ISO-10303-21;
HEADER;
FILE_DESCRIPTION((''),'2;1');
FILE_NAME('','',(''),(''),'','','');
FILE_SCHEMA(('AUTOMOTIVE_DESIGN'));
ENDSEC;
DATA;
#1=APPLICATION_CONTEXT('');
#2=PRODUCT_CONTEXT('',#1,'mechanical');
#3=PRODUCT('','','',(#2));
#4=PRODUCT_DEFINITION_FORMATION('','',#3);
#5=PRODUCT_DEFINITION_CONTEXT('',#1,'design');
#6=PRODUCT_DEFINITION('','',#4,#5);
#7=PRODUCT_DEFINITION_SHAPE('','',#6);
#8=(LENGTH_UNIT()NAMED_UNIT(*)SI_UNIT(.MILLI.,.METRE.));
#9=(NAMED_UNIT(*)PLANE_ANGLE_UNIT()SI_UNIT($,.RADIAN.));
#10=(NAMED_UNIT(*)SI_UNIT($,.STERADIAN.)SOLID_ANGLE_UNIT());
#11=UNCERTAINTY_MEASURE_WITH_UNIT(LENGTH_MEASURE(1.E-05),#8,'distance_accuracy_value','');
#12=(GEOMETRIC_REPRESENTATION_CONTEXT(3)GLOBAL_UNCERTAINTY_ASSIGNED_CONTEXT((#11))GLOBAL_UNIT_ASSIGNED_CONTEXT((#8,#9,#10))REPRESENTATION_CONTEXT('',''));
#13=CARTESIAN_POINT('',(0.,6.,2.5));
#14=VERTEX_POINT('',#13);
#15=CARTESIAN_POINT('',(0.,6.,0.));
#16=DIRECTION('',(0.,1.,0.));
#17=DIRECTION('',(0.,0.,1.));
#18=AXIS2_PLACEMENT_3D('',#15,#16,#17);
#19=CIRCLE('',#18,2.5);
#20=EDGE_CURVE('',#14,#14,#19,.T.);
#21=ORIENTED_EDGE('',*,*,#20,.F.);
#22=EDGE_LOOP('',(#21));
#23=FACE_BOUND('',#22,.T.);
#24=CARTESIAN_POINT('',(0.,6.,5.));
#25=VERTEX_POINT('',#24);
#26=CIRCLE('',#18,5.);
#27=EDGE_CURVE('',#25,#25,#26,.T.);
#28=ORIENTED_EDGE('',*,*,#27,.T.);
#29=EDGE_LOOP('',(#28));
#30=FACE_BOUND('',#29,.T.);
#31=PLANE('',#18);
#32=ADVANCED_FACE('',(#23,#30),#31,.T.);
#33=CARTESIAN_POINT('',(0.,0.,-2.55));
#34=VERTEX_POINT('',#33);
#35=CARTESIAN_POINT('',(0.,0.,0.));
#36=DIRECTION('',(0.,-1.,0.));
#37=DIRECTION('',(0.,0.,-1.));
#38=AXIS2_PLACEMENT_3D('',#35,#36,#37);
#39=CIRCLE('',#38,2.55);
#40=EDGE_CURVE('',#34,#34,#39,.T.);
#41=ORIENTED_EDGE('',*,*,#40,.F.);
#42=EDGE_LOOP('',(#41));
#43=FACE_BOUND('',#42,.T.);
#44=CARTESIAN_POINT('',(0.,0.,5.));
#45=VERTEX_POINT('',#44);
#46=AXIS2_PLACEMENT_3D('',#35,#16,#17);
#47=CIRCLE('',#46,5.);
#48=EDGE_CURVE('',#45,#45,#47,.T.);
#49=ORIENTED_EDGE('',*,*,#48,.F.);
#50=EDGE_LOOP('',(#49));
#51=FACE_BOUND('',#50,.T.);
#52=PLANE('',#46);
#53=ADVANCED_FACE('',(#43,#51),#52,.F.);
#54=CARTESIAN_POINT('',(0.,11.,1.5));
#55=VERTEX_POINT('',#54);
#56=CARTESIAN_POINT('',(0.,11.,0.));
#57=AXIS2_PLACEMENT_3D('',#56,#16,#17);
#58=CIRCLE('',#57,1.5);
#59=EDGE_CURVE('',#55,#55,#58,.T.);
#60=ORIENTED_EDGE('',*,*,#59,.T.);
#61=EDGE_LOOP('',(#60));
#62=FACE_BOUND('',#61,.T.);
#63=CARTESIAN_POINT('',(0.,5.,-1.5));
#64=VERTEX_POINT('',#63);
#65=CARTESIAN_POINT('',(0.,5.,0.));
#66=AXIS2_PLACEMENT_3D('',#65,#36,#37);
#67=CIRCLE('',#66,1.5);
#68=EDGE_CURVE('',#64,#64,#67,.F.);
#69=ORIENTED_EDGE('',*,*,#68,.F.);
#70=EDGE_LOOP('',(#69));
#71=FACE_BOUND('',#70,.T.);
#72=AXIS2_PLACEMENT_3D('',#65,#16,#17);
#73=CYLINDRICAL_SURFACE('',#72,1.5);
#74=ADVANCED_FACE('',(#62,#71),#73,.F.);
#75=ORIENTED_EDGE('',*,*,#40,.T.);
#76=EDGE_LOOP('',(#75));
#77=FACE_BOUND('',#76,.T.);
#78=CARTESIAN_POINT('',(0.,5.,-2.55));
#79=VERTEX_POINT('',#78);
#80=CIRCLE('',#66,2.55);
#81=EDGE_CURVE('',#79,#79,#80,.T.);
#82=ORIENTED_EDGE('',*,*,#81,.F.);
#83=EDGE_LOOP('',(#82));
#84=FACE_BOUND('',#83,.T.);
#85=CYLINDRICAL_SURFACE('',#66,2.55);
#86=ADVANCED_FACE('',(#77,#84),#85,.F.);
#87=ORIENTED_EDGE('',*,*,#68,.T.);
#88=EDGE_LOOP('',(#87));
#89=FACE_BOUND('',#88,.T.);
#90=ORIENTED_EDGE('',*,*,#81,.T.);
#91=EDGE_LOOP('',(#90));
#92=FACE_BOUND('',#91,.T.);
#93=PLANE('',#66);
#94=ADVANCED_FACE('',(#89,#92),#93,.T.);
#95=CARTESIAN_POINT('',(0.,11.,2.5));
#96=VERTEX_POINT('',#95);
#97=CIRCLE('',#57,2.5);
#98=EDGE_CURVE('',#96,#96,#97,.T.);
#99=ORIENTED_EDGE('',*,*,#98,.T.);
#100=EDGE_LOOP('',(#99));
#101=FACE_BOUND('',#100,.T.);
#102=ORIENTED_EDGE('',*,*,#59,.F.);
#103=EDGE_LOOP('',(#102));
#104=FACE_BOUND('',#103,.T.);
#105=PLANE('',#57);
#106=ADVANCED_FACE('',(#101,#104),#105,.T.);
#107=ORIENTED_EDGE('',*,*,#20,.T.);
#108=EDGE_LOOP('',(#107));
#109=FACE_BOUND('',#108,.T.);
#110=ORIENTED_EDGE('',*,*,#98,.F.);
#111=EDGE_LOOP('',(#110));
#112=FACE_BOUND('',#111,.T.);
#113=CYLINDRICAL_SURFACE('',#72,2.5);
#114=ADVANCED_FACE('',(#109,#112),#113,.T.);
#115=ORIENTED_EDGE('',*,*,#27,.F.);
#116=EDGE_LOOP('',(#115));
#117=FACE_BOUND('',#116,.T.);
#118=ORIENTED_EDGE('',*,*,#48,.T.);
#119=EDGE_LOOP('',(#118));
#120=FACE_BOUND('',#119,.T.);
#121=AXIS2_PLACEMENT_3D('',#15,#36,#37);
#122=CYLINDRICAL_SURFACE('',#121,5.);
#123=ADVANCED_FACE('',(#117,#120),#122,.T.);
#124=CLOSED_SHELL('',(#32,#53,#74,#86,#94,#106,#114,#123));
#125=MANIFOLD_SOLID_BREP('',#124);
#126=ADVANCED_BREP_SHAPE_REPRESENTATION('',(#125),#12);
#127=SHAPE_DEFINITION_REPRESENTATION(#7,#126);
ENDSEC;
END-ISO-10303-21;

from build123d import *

# Parameters (mm, degrees)
ESQUISSE1_R             = 5
BOSS_EXTRU_1_DEPTH      = 6
BOSS_EXTRU_2_DEPTH      = 5
BOSS_EXTRU_2_DEPTH_BACK = 1
ESQUISSE2_R             = 2.5
ESQUISSE3_R             = 1.5
ENL_V_MAT_EXTRU_2_DEPTH = 6
ESQUISSE4_R             = 2.55
ENL_V_MAT_EXTRU_3_DEPTH = 5


with BuildPart() as part:
    # Esquisse1 → Boss.-Extru.1 (new body)
    with BuildSketch(Plane(origin=(0, 0, 0), x_dir=(1, 0, 0), z_dir=(0, 1, 0))):
        with Locations(Location((0, 0, 0), (0, 0, 270))):
            Circle(ESQUISSE1_R)
    extrude(amount=BOSS_EXTRU_1_DEPTH)

    # Esquisse2 → Boss.-Extru.2 (add, two sides: drawn at the far end of the back side and taken through both)
    with BuildSketch(Plane(origin=(0, 6, 0), x_dir=(1, 0, 0), z_dir=(0, 1, 0)).offset(-BOSS_EXTRU_2_DEPTH_BACK)):
        with Locations(Location((0, 0, 0), (0, 0, 270))):
            Circle(ESQUISSE2_R)
    extrude(amount=BOSS_EXTRU_2_DEPTH + BOSS_EXTRU_2_DEPTH_BACK)

    # Esquisse3 → Enlèv. mat.-Extru.2 (cut)
    with BuildSketch(Plane(origin=(0, 11, 0), x_dir=(1, 0, 0), z_dir=(0, 1, 0))):
        with Locations(Location((0, 0, 0), (0, 0, 270))):
            Circle(ESQUISSE3_R)
    extrude(amount=-ENL_V_MAT_EXTRU_2_DEPTH, mode=Mode.SUBTRACT)

    # Esquisse4 → Enlèv. mat.-Extru.3 (cut)
    with BuildSketch(Plane.XZ):
        with Locations(Location((0, 0, 0), (0, 0, 270))):
            Circle(ESQUISSE4_R)
    extrude(amount=-ENL_V_MAT_EXTRU_3_DEPTH, mode=Mode.SUBTRACT)


solid = part.part
